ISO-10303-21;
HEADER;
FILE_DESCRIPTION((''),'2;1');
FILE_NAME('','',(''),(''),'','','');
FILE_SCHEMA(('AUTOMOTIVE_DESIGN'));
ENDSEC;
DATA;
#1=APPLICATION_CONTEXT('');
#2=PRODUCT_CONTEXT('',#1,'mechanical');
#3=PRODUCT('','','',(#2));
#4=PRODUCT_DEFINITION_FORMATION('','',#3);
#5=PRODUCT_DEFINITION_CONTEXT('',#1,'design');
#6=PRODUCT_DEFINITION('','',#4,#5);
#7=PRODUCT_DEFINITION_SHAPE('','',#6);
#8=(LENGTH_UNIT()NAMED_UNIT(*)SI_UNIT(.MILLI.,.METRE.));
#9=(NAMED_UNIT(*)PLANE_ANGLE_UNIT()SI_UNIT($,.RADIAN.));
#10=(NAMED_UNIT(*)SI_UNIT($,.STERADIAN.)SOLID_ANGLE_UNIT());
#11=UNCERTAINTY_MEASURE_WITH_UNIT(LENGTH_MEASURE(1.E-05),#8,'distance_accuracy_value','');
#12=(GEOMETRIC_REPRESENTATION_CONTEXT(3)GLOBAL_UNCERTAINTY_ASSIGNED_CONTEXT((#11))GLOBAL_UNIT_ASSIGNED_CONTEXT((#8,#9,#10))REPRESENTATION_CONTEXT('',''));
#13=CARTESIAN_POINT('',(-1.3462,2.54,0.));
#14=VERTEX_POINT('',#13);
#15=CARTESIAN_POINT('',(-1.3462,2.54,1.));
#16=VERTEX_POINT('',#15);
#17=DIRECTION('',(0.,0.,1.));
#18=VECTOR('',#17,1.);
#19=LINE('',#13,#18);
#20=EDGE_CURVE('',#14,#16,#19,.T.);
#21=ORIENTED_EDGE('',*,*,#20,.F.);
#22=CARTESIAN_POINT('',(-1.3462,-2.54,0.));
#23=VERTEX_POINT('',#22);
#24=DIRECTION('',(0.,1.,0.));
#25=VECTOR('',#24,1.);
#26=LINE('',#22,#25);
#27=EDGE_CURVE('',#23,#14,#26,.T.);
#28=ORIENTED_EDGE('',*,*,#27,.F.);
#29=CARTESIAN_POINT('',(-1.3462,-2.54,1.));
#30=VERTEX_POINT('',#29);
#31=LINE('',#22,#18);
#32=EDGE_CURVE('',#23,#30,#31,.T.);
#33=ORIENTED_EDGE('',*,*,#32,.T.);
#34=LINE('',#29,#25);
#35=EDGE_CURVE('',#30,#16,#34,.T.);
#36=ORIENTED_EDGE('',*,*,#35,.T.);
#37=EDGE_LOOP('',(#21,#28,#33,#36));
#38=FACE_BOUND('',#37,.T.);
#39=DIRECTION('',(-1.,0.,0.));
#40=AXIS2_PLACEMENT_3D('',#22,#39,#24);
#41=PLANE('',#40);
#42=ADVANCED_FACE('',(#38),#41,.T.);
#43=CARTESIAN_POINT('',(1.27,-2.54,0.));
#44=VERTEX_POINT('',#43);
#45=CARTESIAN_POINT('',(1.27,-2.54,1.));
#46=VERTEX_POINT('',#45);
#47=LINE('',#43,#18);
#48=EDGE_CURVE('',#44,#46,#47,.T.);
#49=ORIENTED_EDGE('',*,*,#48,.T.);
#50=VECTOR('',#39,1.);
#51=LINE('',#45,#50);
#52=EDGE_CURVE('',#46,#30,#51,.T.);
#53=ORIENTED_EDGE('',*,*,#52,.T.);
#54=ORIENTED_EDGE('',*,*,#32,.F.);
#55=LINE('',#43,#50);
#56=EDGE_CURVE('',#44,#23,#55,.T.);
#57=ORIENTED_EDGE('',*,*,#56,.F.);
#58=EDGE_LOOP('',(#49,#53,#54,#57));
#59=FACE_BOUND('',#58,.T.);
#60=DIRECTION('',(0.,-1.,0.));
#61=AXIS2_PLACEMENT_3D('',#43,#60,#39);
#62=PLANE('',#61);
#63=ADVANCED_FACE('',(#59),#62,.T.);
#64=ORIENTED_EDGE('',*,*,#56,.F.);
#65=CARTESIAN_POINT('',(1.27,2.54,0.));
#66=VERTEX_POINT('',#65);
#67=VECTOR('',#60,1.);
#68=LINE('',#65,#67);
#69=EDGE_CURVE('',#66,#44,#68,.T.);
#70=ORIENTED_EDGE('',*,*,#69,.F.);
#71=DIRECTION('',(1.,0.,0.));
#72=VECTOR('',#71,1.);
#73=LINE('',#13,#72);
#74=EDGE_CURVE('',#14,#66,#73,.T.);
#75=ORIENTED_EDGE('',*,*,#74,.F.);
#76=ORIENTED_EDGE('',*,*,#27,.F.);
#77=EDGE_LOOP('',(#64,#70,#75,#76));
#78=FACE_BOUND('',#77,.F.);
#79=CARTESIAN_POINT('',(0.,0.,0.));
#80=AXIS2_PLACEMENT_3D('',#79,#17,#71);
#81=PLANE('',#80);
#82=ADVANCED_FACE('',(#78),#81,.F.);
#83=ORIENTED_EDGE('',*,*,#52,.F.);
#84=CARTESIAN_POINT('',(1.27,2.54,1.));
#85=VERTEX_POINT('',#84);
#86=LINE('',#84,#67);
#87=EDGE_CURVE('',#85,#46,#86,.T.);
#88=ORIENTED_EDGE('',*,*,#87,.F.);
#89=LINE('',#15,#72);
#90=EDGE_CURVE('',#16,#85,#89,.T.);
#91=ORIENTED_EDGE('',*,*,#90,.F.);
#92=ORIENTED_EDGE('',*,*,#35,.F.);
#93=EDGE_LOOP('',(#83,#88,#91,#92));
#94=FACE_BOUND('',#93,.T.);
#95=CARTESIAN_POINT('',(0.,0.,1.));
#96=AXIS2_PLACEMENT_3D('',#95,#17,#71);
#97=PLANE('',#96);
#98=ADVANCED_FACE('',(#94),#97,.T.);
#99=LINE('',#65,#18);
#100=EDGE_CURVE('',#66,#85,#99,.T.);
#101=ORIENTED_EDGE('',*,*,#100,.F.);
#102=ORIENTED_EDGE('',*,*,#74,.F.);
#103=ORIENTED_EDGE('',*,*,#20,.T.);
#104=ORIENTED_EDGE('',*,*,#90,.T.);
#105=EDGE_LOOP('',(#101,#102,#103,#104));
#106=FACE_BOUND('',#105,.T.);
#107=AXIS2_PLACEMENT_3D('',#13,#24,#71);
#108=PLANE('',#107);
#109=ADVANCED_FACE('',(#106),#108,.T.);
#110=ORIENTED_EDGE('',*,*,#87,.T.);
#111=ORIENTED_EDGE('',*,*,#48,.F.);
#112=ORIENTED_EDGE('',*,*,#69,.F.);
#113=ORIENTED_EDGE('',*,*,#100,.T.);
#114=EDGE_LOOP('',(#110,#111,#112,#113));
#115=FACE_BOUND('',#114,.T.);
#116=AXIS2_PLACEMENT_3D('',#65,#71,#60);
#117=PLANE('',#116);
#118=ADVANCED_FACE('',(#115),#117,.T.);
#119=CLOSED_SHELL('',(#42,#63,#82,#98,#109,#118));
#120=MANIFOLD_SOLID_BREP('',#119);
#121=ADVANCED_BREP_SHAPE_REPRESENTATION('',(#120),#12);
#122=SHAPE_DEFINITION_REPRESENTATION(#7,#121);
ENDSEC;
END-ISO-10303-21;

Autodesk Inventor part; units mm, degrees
ref_plane "YZ Plane" through (0, 0, 0) normal (1, 0, 0) x (0, 1, 0)
ref_plane "XZ Plane" through (0, 0, 0) normal (0, 1, 0) x (-1, 0, 0)
ref_plane "XY Plane" through (0, 0, 0) normal (0, 0, 1) x (1, 0, 0)
sketch "JP1M, SBW_NC_69" plane through (0, 0, 0) normal (0, 0, 1) x (1, 0, 0)
  line L0 (-1.3462, 2.54) -> (1.27, 2.54)
  line L1 (1.27, 2.54) -> (1.27, -2.54)
  line L2 (1.27, -2.54) -> (-1.3462, -2.54)
  line L3 (-1.3462, -2.54) -> (-1.3462, 2.54)
extrude "Extrusion1" add sketch "JP1M, SBW_NC_69" along normal blind 1
properties part number "SBW_NC"
